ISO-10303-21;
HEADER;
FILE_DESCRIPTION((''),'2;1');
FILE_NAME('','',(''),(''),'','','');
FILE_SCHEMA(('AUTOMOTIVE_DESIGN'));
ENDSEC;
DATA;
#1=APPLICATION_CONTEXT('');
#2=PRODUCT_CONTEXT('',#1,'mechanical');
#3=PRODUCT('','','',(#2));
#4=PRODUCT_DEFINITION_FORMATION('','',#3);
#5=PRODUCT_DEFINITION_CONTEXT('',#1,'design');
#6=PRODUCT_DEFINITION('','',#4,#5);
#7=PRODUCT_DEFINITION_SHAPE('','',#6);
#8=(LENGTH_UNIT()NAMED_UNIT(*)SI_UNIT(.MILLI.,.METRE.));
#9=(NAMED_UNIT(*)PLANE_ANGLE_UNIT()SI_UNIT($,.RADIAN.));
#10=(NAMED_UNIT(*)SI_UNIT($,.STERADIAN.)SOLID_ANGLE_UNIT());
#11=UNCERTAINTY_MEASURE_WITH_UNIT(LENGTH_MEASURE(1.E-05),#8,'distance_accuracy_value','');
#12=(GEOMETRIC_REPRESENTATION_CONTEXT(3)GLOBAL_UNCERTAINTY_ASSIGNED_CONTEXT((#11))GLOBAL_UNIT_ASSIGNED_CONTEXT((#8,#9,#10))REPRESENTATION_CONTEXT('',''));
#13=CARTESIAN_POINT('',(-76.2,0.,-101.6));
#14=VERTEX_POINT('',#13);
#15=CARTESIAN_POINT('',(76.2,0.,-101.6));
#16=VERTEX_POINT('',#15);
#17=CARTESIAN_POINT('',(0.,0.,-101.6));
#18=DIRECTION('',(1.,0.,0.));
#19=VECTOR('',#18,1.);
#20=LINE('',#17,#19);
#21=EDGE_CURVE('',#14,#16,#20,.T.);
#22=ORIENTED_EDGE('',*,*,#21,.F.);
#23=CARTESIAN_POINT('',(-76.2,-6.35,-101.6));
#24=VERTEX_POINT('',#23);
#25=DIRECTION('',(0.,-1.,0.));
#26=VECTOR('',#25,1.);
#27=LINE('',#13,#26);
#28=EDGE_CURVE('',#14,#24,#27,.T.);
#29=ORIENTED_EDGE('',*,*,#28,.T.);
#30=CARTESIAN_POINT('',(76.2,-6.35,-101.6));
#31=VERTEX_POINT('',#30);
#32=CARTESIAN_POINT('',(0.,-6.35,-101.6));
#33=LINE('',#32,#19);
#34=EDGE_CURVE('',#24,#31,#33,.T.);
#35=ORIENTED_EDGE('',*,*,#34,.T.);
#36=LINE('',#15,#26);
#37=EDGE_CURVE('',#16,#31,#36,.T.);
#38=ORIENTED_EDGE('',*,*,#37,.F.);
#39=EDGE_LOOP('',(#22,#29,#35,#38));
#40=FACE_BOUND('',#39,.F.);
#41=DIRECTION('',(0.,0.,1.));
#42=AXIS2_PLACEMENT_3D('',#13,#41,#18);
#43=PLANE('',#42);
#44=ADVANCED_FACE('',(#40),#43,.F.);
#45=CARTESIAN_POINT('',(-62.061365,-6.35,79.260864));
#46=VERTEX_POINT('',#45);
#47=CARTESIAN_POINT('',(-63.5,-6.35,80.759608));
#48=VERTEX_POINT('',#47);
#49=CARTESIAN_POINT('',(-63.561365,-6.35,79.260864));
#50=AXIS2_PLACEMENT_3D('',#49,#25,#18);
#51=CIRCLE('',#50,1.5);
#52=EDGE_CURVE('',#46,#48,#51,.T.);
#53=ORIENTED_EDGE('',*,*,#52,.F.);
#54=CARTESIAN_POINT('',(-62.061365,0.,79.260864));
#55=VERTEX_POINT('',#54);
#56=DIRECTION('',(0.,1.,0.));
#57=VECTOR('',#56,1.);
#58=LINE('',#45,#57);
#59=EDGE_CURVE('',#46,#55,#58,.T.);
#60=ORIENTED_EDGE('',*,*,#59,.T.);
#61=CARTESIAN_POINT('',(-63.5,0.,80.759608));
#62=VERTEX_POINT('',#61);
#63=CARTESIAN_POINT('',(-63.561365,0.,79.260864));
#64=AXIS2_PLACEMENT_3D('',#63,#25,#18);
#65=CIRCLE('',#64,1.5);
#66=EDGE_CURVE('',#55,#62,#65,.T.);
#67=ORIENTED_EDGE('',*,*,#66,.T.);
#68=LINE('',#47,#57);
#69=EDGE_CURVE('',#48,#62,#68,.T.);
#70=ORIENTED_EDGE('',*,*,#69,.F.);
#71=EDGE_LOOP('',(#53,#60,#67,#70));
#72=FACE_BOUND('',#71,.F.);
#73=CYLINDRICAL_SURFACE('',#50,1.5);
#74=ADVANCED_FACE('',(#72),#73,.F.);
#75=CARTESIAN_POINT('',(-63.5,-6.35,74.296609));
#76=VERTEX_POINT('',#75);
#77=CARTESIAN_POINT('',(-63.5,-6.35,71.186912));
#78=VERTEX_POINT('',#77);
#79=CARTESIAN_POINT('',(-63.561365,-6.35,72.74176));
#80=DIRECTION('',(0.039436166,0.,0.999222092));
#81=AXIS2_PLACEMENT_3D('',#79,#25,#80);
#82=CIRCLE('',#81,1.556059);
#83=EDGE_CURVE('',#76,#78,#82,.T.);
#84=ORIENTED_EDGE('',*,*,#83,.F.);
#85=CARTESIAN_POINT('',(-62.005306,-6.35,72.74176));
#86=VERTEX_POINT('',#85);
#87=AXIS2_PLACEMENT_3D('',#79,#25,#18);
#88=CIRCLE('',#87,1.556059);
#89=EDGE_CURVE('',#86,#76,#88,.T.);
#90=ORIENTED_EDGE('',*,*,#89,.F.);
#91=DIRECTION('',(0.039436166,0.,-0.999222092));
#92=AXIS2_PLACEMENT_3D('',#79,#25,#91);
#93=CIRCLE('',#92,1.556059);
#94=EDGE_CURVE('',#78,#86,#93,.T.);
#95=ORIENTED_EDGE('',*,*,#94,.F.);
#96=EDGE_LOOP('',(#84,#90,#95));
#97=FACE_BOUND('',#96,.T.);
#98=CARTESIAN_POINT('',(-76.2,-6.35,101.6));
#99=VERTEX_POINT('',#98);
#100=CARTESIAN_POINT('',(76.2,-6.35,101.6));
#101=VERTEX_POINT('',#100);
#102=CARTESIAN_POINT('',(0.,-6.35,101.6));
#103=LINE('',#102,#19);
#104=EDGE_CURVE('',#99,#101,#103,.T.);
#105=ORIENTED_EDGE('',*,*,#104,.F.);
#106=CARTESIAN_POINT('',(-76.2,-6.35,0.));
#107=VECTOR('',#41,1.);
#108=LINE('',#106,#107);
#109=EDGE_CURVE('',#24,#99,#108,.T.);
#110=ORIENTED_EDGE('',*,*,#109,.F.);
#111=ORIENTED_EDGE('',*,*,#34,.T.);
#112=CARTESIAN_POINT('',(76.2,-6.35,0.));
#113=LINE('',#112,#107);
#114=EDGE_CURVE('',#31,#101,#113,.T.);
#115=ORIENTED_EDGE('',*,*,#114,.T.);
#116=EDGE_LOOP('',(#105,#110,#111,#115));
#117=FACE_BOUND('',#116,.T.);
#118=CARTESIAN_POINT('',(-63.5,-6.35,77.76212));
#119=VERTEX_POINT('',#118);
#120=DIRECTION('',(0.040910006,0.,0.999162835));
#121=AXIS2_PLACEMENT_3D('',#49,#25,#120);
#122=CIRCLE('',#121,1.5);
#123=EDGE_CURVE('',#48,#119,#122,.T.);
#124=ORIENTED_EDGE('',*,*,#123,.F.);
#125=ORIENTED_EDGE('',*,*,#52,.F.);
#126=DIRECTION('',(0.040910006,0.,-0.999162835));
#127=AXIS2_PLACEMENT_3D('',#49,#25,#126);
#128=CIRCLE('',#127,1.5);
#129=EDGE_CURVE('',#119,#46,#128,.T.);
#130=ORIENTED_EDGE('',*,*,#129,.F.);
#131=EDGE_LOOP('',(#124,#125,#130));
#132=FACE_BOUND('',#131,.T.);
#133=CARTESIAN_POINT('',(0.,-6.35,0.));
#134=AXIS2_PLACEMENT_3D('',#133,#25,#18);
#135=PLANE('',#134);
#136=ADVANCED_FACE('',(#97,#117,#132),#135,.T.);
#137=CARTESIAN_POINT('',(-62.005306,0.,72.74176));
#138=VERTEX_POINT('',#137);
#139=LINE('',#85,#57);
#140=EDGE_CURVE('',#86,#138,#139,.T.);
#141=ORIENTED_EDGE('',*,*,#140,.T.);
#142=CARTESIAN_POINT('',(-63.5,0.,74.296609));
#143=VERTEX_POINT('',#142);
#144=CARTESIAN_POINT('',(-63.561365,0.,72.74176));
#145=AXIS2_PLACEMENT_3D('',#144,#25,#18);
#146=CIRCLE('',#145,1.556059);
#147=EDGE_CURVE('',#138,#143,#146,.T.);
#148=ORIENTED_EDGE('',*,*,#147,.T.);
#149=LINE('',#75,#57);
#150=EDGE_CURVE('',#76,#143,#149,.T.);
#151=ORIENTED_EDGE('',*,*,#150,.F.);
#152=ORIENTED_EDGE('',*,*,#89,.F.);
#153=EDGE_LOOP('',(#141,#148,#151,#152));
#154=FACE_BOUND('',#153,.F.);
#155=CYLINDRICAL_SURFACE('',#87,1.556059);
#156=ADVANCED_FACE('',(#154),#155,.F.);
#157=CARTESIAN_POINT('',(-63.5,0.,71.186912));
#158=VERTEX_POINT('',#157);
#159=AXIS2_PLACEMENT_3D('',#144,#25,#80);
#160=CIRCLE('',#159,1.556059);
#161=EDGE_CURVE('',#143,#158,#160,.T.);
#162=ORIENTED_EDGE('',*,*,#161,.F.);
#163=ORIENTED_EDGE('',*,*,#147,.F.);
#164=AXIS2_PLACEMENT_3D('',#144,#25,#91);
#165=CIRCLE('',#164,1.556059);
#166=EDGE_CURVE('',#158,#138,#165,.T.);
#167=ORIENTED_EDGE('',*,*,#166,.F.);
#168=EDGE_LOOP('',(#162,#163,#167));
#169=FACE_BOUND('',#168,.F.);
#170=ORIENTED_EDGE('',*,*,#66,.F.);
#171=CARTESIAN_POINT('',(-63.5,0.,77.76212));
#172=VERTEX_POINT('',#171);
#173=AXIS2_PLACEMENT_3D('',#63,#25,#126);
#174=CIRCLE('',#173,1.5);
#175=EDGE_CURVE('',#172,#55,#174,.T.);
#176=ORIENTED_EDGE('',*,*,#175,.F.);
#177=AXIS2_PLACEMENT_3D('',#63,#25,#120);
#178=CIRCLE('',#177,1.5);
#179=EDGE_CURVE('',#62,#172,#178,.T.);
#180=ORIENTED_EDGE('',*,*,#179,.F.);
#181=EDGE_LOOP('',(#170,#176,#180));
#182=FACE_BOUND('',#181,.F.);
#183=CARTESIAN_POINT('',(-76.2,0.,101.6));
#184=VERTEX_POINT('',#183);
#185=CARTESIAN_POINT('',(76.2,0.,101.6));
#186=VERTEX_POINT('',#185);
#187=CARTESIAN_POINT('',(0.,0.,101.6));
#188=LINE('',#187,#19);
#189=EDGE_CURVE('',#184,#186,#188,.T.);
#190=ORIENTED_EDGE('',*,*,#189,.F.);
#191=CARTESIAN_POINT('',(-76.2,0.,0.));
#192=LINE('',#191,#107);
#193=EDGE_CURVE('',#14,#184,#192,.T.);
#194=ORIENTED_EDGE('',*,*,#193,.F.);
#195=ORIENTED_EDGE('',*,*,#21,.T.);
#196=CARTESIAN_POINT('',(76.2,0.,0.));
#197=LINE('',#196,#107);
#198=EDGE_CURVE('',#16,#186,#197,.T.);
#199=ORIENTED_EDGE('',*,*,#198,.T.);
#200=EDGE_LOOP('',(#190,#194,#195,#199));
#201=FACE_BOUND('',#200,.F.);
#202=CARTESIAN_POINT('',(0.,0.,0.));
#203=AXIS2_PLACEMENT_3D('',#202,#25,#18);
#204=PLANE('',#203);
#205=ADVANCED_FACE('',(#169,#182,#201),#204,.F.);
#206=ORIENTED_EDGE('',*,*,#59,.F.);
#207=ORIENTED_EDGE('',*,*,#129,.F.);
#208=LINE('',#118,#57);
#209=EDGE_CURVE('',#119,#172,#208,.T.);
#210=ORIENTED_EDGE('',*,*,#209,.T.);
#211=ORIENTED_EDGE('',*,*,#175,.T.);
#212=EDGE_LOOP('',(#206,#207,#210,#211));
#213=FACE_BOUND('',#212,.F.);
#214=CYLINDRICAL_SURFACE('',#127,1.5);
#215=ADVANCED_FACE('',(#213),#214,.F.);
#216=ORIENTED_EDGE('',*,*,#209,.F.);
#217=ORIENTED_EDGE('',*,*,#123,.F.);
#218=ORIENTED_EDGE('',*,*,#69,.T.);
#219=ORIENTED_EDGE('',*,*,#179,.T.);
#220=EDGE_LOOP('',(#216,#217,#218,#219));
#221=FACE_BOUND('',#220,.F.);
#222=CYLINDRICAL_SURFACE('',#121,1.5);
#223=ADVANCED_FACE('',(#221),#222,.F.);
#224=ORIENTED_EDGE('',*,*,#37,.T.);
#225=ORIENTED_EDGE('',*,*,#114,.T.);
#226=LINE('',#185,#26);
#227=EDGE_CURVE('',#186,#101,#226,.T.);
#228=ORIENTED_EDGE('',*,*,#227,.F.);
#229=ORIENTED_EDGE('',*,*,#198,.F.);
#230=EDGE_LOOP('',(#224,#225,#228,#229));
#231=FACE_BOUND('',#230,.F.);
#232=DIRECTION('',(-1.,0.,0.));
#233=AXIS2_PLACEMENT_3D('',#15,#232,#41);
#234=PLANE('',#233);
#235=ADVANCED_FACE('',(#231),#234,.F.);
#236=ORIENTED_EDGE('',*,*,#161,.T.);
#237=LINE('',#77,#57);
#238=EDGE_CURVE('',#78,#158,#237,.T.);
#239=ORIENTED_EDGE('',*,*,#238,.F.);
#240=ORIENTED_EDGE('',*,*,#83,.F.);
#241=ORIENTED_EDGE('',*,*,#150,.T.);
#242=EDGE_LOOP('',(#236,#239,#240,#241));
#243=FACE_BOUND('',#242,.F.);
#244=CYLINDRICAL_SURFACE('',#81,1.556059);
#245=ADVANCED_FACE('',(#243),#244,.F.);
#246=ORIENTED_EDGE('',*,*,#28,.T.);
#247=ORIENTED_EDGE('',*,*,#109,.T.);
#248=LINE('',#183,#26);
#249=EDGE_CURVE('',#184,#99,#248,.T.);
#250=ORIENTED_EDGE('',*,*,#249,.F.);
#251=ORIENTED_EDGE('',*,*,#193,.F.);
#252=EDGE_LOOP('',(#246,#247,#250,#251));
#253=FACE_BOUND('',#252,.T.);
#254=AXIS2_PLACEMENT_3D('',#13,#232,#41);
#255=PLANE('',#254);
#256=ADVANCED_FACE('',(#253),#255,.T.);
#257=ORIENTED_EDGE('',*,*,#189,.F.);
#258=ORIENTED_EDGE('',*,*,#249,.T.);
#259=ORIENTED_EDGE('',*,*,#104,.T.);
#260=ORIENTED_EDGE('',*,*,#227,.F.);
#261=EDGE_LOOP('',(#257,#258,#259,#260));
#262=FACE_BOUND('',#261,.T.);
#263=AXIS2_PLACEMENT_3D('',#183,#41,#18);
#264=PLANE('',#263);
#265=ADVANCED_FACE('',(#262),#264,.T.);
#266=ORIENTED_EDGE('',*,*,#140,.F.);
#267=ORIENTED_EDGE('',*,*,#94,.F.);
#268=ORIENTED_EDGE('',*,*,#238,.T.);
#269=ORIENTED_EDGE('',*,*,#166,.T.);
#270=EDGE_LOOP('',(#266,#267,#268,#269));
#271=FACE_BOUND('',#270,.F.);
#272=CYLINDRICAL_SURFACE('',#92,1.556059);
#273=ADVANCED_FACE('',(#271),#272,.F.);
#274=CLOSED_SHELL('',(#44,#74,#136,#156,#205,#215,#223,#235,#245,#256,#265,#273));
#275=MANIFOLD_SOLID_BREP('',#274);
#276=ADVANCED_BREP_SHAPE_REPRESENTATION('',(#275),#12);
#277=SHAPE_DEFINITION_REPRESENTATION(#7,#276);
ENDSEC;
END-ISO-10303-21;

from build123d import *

# Parameters (mm, degrees)
F0_W     = 152.4
F0_H     = 203.2
F1_DEPTH = 6.35
F4_DEPTH = 25.4


with BuildPart() as f1:
    # F0 (on Front) → F1 (new body)
    with BuildSketch(Plane.XZ):
        Rectangle(F0_W, F0_H)
    extrude(amount=F1_DEPTH)

    # F3 (on face) → F4 (cut)
    with BuildSketch(Plane.XZ.offset(6.35)):
        with BuildLine():
            Line((-63.5, 77.7621199232), (-63.5, 80.7596084291))
            ThreePointArc((-63.5, 80.7596084291), (-65.0613650084, 79.2608641762), (-63.5, 77.7621199232))
        make_face()
        with BuildLine():
            ThreePointArc((-63.5, 77.7621199232), (-62.4792264977, 78.2221263634), (-62.0613650084, 79.2608641762))
            ThreePointArc((-62.0613650084, 79.2608641762), (-62.4792264977, 80.299601989), (-63.5, 80.7596084291))
            Line((-63.5, 80.7596084291), (-63.5, 77.7621199232))
        make_face()
        with BuildLine():
            Line((-63.5, 71.1869115804), (-63.5, 74.2966090301))
            ThreePointArc((-63.5, 74.2966090301), (-65.1174242043, 72.7417603053), (-63.5, 71.1869115804))
        make_face()
        with BuildLine():
            ThreePointArc((-62.0053058124, 72.7417603053), (-62.4395789755, 73.8201462835), (-63.5, 74.2966090301))
            Line((-63.5, 74.2966090301), (-63.5, 71.1869115804))
            ThreePointArc((-63.5, 71.1869115804), (-62.4395789755, 71.6633743271), (-62.0053058124, 72.7417603053))
        make_face()
    extrude(amount=-F4_DEPTH, mode=Mode.SUBTRACT)


solid = f1.part
